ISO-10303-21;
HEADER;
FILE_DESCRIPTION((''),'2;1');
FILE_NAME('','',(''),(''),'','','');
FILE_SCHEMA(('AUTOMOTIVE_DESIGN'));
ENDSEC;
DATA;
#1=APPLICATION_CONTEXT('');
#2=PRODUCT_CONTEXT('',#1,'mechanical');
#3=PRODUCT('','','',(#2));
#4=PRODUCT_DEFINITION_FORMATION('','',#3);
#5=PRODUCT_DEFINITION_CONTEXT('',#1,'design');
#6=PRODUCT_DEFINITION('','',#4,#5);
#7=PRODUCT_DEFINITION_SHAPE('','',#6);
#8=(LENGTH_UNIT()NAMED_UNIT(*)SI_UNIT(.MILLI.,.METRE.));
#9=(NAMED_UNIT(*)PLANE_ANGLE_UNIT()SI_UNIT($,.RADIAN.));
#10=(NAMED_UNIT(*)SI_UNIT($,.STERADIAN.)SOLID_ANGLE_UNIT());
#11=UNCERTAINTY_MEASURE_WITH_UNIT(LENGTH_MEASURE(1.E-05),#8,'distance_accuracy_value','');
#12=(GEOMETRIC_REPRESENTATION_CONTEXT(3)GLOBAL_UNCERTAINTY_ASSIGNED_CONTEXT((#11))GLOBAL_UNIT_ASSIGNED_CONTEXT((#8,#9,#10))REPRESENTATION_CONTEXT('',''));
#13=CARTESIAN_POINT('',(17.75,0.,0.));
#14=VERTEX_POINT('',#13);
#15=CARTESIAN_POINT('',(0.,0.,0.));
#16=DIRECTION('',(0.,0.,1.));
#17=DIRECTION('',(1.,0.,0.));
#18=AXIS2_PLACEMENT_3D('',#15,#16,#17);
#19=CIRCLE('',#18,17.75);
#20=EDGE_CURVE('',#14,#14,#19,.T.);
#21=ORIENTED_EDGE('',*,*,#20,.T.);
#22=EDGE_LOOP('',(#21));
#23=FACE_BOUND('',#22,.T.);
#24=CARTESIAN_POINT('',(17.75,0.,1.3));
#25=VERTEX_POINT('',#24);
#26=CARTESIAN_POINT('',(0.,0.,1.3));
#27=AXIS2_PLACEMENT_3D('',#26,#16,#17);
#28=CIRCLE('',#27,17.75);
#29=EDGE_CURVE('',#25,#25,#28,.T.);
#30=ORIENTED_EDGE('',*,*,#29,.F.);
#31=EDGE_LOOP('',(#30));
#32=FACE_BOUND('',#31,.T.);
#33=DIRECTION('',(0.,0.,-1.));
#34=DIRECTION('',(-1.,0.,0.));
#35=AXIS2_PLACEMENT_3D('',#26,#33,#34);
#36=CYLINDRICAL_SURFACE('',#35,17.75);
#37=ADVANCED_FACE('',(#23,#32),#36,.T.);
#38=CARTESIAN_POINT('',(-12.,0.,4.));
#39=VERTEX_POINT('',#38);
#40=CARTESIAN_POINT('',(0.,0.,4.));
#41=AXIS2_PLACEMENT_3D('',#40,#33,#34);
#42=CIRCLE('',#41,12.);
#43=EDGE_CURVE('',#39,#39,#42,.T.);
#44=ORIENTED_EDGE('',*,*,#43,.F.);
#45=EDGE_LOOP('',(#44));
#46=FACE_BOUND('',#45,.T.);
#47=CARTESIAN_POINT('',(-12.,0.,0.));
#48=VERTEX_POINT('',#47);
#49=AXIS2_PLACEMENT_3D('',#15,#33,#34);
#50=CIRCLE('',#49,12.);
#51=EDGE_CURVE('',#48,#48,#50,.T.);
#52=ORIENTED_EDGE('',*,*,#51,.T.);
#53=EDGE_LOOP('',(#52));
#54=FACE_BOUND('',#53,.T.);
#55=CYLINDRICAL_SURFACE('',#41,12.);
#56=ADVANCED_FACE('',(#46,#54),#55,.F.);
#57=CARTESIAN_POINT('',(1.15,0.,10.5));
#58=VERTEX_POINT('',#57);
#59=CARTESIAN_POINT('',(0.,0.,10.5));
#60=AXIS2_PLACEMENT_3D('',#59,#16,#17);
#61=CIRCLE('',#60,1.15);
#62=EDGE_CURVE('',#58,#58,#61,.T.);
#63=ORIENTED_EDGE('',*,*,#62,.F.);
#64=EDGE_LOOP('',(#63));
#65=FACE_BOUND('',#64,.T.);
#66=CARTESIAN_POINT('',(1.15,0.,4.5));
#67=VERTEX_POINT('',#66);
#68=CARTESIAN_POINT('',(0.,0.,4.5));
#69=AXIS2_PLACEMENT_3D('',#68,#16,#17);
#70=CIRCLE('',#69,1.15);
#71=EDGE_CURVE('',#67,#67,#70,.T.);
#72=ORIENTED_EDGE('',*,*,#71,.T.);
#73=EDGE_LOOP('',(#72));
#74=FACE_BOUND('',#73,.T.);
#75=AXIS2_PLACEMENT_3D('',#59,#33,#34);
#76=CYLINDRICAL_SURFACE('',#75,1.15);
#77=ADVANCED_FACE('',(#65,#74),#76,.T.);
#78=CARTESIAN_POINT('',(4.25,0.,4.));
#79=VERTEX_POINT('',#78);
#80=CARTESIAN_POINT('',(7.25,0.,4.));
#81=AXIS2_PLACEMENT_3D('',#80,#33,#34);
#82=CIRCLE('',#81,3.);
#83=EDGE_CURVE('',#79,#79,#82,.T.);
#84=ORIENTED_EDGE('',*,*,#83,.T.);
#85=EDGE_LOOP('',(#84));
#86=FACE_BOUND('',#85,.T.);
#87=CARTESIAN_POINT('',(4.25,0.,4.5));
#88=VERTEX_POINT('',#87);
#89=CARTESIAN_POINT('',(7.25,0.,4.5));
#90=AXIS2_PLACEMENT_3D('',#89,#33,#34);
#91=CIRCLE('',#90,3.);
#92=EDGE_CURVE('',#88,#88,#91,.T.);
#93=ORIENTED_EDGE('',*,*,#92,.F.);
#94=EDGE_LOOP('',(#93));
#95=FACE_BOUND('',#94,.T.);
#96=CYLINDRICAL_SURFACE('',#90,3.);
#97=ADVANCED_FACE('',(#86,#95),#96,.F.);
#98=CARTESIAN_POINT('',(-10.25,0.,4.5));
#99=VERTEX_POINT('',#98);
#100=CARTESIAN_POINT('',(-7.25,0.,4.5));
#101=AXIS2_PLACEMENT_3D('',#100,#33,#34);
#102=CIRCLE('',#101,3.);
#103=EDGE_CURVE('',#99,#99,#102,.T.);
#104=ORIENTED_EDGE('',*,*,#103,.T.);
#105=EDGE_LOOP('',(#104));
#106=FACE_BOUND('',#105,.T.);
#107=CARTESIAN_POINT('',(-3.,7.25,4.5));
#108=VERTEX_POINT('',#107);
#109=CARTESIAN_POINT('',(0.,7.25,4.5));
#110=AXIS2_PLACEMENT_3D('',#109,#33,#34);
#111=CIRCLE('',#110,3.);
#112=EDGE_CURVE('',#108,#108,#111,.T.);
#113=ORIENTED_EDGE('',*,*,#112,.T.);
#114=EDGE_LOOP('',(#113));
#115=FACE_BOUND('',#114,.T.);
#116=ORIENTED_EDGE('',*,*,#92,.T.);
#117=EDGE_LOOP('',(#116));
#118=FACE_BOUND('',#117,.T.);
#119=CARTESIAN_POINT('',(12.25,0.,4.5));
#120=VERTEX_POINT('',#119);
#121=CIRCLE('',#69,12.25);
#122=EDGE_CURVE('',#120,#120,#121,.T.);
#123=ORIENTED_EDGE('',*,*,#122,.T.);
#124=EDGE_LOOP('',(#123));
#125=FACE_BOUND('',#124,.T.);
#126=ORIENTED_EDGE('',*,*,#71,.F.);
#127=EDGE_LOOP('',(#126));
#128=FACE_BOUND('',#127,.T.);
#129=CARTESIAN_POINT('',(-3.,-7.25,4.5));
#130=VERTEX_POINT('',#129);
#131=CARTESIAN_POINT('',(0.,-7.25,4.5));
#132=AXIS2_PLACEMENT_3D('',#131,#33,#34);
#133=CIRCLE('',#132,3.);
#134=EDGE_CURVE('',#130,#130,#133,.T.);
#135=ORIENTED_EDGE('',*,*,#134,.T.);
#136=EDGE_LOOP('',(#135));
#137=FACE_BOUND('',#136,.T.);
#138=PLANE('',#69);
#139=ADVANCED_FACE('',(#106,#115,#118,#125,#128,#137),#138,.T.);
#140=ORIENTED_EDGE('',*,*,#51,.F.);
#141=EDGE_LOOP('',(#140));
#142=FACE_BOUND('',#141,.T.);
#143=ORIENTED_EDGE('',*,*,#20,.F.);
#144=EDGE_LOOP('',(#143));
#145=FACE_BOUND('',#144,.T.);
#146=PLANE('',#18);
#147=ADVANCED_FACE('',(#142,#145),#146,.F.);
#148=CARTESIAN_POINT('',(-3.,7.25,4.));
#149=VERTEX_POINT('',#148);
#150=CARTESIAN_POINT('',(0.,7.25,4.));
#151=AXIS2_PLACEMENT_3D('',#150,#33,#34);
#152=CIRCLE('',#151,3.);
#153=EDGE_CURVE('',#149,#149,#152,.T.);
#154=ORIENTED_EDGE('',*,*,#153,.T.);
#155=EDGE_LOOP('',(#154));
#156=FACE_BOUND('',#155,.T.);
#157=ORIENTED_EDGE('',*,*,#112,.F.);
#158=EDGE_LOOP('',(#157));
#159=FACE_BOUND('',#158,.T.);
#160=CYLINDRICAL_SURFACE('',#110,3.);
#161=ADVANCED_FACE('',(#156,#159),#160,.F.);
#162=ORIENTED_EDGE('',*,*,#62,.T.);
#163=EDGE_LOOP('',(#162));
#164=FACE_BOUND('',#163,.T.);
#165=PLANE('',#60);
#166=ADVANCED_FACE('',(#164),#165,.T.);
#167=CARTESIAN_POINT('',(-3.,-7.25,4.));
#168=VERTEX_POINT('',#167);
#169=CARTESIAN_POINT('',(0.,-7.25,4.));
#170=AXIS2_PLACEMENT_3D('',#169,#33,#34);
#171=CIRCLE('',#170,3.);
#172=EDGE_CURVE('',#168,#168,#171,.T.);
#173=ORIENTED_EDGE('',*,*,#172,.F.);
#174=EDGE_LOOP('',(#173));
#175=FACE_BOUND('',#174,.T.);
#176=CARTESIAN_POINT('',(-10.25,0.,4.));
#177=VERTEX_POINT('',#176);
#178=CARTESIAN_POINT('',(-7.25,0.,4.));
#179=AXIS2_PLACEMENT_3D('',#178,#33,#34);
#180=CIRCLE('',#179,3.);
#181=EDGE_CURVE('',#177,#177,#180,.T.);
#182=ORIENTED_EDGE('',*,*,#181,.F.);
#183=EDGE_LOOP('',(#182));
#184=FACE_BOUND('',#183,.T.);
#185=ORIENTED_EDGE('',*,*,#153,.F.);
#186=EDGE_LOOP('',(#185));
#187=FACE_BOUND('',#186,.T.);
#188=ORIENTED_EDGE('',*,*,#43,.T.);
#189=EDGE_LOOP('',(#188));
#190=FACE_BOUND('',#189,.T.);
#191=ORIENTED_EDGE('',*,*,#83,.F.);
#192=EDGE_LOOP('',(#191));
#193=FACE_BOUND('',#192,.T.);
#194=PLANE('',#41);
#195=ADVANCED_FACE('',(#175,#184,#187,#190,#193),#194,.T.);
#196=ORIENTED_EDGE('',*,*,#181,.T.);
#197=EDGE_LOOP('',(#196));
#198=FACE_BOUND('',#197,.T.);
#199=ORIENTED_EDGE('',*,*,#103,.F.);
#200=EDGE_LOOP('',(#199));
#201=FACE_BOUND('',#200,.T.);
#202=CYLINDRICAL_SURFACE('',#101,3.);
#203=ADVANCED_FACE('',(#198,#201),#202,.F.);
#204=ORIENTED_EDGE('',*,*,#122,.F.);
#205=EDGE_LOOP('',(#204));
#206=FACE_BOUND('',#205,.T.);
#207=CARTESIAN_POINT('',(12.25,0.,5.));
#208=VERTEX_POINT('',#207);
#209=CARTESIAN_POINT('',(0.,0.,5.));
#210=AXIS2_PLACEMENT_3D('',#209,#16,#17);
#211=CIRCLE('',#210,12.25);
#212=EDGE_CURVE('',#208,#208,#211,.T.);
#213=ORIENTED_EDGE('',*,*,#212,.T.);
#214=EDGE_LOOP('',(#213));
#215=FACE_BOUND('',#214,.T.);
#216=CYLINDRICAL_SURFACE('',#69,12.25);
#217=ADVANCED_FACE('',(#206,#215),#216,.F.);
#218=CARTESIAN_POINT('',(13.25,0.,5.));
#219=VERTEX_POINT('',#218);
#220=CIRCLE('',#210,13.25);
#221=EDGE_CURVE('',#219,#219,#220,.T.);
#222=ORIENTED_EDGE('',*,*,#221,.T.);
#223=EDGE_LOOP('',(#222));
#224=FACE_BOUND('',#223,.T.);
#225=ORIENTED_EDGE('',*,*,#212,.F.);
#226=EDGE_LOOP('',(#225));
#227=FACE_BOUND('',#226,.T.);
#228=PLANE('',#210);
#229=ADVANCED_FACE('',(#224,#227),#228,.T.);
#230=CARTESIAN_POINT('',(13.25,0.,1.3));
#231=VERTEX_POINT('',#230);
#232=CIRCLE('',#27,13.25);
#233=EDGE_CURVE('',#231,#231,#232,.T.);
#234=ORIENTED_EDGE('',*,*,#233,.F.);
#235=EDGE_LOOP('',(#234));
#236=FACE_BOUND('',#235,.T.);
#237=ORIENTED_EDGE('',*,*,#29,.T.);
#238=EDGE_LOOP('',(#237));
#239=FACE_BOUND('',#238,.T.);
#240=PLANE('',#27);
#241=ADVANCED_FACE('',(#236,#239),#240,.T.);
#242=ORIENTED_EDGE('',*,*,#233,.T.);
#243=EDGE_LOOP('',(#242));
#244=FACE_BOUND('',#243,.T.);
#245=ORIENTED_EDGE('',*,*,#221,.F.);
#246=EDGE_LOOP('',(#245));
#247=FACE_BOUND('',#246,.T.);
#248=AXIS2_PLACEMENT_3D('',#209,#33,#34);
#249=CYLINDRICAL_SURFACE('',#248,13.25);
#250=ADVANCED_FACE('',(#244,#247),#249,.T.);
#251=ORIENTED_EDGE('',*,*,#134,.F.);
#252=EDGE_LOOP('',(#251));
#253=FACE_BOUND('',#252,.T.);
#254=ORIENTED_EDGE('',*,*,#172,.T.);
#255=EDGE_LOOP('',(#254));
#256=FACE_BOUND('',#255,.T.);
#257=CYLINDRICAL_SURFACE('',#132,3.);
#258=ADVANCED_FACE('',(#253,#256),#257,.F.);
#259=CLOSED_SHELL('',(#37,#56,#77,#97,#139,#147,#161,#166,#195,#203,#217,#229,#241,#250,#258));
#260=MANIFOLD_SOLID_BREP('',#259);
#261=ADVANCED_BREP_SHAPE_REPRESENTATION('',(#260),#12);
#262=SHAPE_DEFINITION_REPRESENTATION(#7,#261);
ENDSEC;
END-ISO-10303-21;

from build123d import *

# Parameters (mm, degrees)
SKETCH1_R           = 17.75
BOSS_EXTRUDE1_DEPTH = 1.3
SKETCH2_R           = 13.25
BOSS_EXTRUDE2_DEPTH = 3.7
SKETCH3_R           = 12
CUT_EXTRUDE1_DEPTH  = 4
SKETCH4_R           = 12.25
CUT_EXTRUDE2_DEPTH  = 0.5
SKETCH5_R           = 3
CUT_EXTRUDE3_DEPTH  = 0.5
SKETCH6_R           = 1.15
BOSS_EXTRUDE3_DEPTH = 6


with BuildPart() as part:
    # Sketch1 → Boss-Extrude1 (new body)
    with BuildSketch(Plane.XY):
        Circle(SKETCH1_R)
    extrude(amount=BOSS_EXTRUDE1_DEPTH)

    # Sketch2 → Boss-Extrude2 (add)
    with BuildSketch(Plane.XY.offset(1.3)):
        Circle(SKETCH2_R)
    extrude(amount=BOSS_EXTRUDE2_DEPTH)

    # Sketch3 → Cut-Extrude1 (cut)
    with BuildSketch(Plane(origin=(0, 0, 0), x_dir=(-1, 0, 0), z_dir=(0, 0, -1))):
        Circle(SKETCH3_R)
    extrude(amount=-CUT_EXTRUDE1_DEPTH, mode=Mode.SUBTRACT)

    # Sketch4 → Cut-Extrude2 (cut)
    with BuildSketch(Plane.XY.offset(5)):
        Circle(SKETCH4_R)
    extrude(amount=-CUT_EXTRUDE2_DEPTH, mode=Mode.SUBTRACT)

    # Sketch5 → Cut-Extrude3 (cut)
    with BuildSketch(Plane(origin=(0, 0, 4), x_dir=(-1, 0, 0), z_dir=(0, 0, -1))):
        with Locations((0, 7.25)):
            Circle(SKETCH5_R)
        with Locations((7.25, 0)):
            Circle(SKETCH5_R)
        with Locations((0, -7.25)):
            Circle(SKETCH5_R)
        with Locations((-7.25, 0)):
            Circle(SKETCH5_R)
    extrude(amount=-CUT_EXTRUDE3_DEPTH, mode=Mode.SUBTRACT)

    # Sketch6 → Boss-Extrude3 (add)
    with BuildSketch(Plane.XY.offset(4.5)):
        Circle(SKETCH6_R)
    extrude(amount=BOSS_EXTRUDE3_DEPTH)


solid = part.part
